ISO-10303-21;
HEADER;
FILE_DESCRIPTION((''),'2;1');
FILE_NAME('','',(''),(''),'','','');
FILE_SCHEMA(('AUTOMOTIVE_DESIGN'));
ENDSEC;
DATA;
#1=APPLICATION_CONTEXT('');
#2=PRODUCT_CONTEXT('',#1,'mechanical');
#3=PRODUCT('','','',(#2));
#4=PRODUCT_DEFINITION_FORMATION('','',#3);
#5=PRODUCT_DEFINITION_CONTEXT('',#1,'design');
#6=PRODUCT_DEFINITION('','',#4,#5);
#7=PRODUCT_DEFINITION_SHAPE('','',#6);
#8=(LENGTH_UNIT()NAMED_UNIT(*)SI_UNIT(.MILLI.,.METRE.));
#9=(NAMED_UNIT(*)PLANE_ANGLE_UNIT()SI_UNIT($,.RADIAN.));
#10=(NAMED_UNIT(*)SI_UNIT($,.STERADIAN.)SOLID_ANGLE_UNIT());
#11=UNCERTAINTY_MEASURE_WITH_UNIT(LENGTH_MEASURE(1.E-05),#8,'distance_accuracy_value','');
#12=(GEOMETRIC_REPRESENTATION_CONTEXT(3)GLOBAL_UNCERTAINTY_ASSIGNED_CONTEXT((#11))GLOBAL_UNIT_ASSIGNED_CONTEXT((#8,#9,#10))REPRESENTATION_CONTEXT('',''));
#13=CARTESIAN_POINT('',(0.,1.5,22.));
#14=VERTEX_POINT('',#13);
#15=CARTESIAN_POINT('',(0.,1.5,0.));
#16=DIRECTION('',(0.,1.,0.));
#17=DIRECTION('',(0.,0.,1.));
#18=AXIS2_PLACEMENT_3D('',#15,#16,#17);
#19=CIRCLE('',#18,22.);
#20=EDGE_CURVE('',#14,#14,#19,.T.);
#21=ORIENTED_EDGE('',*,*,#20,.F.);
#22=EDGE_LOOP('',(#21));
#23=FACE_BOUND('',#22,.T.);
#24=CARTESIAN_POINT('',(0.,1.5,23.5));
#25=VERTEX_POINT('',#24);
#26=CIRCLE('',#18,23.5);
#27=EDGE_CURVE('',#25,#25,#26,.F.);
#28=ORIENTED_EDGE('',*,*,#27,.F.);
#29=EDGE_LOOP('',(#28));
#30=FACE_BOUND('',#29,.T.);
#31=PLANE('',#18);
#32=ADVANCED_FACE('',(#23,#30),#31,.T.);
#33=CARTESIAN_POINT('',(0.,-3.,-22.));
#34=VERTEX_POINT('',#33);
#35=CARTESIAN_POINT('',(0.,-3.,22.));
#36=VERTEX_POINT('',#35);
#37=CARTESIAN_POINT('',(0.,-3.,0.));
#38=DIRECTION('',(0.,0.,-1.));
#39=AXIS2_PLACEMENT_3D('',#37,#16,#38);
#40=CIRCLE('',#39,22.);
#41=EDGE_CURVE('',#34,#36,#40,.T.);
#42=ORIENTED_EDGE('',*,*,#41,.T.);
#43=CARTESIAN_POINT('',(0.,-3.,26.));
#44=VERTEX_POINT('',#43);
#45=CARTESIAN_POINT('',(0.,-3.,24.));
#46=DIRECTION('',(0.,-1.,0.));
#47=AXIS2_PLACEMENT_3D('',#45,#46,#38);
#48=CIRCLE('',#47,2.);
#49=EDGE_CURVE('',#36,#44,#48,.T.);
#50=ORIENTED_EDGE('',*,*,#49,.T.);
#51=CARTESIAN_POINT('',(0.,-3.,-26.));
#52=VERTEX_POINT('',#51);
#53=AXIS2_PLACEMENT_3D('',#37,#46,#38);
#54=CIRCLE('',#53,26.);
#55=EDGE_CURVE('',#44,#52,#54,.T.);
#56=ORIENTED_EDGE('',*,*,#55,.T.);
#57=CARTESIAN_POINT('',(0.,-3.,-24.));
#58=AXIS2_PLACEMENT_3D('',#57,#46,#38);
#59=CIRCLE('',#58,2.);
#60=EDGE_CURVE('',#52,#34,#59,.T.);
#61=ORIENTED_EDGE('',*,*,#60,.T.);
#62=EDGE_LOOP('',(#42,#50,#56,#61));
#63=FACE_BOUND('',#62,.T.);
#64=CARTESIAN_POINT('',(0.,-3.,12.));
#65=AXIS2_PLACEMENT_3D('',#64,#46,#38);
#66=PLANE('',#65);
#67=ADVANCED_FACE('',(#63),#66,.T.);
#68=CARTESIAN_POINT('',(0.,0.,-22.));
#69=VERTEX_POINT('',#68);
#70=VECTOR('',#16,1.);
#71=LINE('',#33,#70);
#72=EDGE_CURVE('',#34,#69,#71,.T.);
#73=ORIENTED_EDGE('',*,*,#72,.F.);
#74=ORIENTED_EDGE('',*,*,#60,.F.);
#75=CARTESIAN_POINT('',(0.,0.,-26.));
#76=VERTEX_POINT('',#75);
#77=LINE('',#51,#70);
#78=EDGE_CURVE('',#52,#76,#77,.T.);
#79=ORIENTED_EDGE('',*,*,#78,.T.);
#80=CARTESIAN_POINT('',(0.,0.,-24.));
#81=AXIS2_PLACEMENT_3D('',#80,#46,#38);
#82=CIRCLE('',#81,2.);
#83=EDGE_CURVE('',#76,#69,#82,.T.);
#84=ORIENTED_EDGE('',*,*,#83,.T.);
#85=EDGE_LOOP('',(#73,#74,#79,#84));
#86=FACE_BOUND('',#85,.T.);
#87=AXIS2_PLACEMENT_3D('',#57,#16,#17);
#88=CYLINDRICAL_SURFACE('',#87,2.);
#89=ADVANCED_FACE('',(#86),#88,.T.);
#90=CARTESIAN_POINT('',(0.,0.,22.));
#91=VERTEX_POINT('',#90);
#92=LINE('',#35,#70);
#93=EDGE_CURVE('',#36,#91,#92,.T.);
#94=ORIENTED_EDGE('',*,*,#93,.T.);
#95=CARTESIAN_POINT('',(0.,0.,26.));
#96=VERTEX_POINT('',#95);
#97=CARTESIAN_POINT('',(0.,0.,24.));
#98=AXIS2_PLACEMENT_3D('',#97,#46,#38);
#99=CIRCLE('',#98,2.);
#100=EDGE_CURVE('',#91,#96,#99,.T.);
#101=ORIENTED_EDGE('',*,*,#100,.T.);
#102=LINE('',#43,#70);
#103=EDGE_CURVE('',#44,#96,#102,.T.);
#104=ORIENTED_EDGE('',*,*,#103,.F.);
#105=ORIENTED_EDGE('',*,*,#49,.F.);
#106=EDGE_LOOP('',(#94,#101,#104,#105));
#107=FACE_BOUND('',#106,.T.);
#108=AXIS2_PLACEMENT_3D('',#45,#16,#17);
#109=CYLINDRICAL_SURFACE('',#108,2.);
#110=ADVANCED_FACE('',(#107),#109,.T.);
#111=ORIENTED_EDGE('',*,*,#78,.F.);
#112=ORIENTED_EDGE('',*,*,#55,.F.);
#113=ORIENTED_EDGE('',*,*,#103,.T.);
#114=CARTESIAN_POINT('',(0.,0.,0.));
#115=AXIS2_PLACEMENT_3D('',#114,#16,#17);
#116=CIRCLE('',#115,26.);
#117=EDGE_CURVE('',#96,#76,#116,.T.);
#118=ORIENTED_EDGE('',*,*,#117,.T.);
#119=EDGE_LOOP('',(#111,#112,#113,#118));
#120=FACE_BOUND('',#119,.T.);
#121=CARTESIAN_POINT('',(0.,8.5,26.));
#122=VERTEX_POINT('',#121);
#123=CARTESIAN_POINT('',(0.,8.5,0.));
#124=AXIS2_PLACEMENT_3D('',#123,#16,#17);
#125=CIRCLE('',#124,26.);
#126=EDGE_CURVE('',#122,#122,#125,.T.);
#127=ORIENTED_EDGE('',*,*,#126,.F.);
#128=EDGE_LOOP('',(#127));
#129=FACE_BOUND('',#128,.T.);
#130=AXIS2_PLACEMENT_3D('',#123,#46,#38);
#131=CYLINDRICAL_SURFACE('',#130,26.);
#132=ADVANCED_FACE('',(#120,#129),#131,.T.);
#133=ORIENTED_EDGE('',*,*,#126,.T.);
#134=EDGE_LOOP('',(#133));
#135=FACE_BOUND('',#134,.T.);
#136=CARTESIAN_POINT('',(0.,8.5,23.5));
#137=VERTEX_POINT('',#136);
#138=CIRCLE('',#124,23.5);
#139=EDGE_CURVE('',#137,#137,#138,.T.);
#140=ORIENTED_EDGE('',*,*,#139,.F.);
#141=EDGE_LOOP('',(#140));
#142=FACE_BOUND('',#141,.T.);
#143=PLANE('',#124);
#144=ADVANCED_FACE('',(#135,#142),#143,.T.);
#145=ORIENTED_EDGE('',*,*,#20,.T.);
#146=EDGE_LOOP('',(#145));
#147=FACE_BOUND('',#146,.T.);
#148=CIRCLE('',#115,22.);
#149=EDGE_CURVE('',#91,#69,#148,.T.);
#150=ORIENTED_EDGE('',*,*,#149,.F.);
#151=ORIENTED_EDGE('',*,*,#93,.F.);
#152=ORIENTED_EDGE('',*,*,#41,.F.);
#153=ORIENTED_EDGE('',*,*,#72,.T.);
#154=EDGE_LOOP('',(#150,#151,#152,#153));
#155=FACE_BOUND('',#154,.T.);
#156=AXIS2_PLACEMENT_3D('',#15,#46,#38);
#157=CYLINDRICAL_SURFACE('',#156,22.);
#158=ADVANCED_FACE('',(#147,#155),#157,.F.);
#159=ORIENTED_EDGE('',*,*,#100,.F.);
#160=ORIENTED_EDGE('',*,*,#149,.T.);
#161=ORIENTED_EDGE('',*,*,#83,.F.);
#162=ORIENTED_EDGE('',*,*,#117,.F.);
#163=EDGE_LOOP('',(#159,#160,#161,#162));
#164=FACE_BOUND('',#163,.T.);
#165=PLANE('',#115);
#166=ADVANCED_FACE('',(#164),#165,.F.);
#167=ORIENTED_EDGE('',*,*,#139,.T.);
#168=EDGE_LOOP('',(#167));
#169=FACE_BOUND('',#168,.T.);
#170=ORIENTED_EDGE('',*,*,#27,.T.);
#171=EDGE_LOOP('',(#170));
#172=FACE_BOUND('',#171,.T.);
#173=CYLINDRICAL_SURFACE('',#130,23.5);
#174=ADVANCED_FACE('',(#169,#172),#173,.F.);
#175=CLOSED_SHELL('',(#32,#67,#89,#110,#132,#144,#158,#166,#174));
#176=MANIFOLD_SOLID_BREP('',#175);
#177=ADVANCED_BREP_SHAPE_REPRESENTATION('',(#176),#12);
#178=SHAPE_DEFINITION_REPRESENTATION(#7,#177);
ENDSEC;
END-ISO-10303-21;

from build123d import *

# Parameters (mm, degrees)
SKETCH1_R           = 23.5
SKETCH1_R_2         = 22
BOSS_EXTRUDE1_DEPTH = 1.5
SKETCH2_R           = 26
SKETCH2_R_2         = 23.5
BOSS_EXTRUDE2_DEPTH = 8.5
BOSS_EXTRUDE3_START = 3
BOSS_EXTRUDE3_DEPTH = 3


with BuildPart() as part:
    # Sketch1 → Boss-Extrude1 (new body)
    with BuildSketch(Plane(origin=(0, 0, 0), x_dir=(1, 0, 0), z_dir=(0, 1, 0))):
        with Locations(Location((0, 0, 0), (0, 0, 270))):
            Circle(SKETCH1_R)
        with Locations(Location((0, 0, 0), (0, 0, 270))):
            Circle(SKETCH1_R_2, mode=Mode.SUBTRACT)
    extrude(amount=BOSS_EXTRUDE1_DEPTH)

    # Sketch2 → Boss-Extrude2 (add)
    with BuildSketch(Plane(origin=(0, 0, 0), x_dir=(1, 0, 0), z_dir=(0, 1, 0))):
        with Locations(Location((0, 0, 0), (0, 0, 270))):
            Circle(SKETCH2_R)
        with Locations(Location((0, 0, 0), (0, 0, 270))):
            Circle(SKETCH2_R_2, mode=Mode.SUBTRACT)
    extrude(amount=BOSS_EXTRUDE2_DEPTH)

    # Sketch3 → Boss-Extrude3 (add)
    with BuildSketch(Plane.XZ.offset(BOSS_EXTRUDE3_START)):
        with BuildLine():
            ThreePointArc((0, 26), (-26, 0), (0, -26))
            ThreePointArc((0, -26), (2, -24), (0, -22))
            ThreePointArc((0, -22), (-22, 0), (0, 22))
            ThreePointArc((0, 22), (2, 24), (0, 26))
        make_face()
    extrude(amount=-BOSS_EXTRUDE3_DEPTH)


solid = part.part
